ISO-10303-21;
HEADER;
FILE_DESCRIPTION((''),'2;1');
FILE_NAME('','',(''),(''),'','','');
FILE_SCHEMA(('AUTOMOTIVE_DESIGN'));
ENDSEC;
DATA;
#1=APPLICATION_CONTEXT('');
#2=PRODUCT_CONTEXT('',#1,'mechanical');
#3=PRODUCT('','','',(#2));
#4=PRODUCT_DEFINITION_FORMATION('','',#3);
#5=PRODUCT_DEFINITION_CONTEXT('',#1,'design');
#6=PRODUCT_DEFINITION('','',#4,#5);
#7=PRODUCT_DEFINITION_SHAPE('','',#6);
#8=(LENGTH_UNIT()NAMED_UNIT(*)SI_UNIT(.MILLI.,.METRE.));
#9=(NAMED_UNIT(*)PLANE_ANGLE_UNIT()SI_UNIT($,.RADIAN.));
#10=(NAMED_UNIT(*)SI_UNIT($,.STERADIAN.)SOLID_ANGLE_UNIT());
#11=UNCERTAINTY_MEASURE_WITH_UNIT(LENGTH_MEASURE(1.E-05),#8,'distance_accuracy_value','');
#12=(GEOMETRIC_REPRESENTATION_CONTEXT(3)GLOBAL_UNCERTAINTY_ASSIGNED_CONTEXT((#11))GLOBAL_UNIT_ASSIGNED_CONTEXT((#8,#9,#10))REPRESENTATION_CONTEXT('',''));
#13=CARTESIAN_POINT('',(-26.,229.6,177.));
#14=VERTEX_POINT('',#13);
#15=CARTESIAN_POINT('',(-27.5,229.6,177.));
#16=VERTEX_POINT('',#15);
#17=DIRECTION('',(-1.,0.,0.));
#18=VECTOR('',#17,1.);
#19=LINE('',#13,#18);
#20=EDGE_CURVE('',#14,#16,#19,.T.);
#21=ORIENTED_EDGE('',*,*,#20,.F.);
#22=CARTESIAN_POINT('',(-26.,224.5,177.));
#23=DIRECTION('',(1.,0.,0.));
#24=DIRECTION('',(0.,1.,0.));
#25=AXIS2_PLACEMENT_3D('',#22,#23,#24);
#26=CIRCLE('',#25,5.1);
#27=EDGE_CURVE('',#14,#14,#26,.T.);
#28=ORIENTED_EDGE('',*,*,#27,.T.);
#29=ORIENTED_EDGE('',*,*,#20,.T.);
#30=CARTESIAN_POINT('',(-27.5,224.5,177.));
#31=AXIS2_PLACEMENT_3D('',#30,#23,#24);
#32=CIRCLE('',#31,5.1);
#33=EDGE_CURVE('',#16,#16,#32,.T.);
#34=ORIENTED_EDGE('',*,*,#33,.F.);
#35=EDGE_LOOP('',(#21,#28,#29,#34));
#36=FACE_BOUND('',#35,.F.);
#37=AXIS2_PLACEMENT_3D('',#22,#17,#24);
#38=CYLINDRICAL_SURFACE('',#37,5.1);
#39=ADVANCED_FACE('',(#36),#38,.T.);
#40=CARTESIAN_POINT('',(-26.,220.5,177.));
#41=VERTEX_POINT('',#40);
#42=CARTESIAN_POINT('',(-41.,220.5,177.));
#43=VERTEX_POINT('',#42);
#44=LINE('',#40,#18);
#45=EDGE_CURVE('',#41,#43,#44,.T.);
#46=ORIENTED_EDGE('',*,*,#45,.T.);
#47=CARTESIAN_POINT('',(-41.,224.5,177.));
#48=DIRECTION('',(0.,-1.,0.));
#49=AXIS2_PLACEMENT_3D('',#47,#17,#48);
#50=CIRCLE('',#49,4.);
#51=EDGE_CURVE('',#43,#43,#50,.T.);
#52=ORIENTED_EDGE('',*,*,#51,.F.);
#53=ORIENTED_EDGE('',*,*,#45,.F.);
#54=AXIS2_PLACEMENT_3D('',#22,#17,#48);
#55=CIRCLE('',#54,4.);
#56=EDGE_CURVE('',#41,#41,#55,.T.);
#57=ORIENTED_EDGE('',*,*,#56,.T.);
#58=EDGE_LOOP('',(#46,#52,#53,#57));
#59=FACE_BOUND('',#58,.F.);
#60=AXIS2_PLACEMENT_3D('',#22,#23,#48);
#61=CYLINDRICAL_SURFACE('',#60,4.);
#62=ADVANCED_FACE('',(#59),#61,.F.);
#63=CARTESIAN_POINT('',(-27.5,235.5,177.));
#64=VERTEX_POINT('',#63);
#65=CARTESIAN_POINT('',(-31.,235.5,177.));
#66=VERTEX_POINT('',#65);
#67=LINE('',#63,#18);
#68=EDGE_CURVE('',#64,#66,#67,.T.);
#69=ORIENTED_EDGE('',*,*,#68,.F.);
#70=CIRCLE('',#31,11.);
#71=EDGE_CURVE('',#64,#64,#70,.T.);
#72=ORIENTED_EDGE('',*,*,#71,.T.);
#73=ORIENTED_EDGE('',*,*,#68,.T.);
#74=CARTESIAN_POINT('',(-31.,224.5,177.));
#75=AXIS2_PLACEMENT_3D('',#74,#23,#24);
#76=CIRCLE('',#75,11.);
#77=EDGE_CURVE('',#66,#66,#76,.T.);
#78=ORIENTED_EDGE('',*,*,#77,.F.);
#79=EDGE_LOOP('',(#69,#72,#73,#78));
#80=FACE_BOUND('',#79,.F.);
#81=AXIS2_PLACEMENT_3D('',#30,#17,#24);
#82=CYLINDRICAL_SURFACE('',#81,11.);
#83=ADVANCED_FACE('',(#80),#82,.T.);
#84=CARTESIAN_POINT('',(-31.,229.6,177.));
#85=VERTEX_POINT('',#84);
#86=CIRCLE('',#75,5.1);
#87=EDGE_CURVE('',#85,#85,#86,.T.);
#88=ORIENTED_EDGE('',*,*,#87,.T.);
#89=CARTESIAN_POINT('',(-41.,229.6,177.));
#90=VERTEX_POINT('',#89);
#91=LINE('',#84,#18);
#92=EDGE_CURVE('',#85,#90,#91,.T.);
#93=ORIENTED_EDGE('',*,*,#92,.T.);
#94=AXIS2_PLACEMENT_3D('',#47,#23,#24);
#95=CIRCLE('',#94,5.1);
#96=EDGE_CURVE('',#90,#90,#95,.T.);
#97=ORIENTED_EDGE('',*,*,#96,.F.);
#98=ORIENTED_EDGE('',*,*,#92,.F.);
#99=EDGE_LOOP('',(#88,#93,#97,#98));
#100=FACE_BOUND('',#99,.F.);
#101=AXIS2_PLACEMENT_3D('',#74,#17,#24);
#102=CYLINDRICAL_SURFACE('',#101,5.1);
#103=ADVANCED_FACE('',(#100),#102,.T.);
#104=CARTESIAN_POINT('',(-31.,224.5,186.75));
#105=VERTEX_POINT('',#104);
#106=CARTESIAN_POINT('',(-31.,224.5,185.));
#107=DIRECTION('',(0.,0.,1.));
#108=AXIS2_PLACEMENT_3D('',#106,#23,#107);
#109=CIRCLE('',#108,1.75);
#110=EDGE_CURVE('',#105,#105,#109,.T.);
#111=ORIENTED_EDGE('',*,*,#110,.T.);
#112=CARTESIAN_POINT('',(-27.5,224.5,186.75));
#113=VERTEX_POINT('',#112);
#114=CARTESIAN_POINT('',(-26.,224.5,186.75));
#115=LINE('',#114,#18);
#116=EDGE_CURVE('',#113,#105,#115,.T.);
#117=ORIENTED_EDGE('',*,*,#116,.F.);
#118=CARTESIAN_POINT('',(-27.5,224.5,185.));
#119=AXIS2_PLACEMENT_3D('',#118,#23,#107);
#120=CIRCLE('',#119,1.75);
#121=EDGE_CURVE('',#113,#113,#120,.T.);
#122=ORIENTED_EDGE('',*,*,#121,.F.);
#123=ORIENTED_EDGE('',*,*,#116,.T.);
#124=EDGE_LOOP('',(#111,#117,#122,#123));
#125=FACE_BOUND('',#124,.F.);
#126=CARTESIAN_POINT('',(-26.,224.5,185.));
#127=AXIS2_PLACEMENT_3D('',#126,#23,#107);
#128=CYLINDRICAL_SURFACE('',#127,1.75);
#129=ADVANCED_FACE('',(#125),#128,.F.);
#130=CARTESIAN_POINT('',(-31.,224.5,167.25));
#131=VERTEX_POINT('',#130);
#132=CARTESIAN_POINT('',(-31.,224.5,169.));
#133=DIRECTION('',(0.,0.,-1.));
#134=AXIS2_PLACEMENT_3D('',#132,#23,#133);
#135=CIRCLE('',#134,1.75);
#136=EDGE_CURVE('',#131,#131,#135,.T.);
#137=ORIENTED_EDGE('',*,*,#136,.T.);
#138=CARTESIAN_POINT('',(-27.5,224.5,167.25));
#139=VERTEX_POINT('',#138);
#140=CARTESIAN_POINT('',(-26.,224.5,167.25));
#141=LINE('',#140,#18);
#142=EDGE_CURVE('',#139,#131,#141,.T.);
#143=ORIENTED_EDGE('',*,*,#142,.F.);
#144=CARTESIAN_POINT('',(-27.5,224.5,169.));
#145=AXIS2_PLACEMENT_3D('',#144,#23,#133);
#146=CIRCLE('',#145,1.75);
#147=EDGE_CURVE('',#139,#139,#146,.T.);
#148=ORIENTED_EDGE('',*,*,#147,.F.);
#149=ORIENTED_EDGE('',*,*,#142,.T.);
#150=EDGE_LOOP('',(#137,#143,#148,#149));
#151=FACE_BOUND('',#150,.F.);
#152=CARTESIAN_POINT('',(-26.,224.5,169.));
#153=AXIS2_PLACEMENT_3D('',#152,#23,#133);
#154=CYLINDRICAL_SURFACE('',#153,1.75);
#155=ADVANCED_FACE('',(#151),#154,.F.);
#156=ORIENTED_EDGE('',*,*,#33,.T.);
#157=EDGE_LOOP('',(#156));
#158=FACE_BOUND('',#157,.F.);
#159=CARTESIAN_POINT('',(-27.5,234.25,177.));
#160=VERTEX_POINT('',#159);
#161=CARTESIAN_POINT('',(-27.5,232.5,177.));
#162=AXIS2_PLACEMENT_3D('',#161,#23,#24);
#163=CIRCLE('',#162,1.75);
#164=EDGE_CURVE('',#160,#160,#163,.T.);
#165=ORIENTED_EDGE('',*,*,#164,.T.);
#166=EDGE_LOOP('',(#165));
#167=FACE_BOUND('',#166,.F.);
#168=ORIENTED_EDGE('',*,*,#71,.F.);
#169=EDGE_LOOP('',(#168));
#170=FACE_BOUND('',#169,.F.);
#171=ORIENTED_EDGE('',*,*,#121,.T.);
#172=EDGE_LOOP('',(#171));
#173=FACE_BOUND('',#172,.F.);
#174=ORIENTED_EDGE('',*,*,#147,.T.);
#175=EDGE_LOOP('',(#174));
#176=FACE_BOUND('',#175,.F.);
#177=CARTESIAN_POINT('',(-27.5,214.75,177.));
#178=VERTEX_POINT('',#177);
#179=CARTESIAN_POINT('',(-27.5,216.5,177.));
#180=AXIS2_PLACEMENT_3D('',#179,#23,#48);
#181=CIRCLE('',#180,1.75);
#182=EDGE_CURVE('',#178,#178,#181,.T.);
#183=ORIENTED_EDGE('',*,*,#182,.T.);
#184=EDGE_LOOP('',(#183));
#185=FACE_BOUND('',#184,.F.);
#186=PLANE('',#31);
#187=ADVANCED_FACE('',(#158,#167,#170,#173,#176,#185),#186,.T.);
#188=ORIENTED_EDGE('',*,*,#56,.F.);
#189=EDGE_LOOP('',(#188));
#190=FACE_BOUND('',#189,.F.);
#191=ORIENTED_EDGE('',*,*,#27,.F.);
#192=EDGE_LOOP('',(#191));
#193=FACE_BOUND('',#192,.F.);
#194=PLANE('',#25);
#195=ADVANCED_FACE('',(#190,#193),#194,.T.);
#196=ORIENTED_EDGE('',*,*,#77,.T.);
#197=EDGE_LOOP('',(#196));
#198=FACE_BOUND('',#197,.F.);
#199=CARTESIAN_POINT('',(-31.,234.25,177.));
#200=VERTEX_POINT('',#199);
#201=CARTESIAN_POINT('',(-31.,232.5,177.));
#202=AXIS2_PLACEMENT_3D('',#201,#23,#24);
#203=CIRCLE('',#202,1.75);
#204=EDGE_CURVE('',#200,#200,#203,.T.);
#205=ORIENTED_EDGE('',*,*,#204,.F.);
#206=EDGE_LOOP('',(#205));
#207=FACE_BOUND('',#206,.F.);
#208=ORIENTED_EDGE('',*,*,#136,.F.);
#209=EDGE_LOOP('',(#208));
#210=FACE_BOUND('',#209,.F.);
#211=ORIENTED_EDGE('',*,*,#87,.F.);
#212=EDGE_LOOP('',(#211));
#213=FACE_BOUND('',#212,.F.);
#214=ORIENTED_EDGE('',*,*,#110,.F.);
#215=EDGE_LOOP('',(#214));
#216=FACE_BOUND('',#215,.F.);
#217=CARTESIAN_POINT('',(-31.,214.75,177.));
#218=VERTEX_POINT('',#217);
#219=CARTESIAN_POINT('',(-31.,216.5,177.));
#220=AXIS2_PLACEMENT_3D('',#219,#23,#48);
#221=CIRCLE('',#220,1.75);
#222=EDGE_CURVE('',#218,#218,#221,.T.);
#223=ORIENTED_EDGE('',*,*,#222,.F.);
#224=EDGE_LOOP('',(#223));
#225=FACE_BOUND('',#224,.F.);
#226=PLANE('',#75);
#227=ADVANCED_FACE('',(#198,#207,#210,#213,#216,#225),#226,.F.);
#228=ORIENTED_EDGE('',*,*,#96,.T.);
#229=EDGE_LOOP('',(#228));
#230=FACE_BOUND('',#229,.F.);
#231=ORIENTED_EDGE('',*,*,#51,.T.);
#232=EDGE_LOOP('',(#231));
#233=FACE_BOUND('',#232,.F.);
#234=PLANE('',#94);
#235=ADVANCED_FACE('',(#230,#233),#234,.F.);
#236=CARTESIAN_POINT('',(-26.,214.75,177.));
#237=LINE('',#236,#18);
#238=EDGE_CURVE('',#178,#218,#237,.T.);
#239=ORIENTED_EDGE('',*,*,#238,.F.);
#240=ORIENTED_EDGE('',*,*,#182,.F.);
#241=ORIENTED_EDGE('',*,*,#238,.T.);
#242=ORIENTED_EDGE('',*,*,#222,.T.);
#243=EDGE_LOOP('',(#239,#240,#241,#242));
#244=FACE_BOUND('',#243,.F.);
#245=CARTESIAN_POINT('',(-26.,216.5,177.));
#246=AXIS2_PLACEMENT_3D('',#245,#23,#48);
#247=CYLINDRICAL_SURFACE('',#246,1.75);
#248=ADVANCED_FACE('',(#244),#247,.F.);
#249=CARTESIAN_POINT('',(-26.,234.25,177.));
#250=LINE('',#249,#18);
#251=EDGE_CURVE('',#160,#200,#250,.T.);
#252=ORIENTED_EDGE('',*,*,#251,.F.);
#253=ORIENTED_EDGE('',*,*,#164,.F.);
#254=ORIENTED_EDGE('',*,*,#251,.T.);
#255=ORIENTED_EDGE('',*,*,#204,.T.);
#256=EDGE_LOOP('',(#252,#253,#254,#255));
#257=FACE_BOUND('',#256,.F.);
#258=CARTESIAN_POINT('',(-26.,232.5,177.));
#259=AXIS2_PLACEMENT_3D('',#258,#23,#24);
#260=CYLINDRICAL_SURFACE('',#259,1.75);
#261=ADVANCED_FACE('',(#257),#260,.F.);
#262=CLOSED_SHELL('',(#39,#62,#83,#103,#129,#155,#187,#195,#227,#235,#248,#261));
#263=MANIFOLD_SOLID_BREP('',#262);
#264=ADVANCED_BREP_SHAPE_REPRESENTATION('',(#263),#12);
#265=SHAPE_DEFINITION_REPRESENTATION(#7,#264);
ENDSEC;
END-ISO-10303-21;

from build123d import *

# Parameters (mm, degrees)
SKETCH151_R             = 4
SKETCH151_R_2           = 1.75
POCKET057_DEPTH         = 84.080664
POLARPATTERN010_COUNT   = 4
BODY110_PLACEMENT_ANGLE = 90


with BuildPart() as part:
    # Sketch150 → Revolution007 (revolve)
    with BuildSketch(Plane.YZ):
        Polygon((0, 0), (0, 15), (5.1, 15), (5.1, 13.5), (11, 13.5), (11, 10), (5.1, 10), (5.1, 0), align=None)
    revolve(axis=Axis((0, 0, 0), (0, 0, 1)))

    # Sketch151 (on Face1 of Revolution007) → Pocket057 (cut, through all)
    with BuildSketch(Plane(origin=(0, 0, 15), x_dir=(0, -1, 0), z_dir=(0, 0, 1))):
        Circle(SKETCH151_R)
        with Locations((8, 0)):
            Circle(SKETCH151_R_2)
    pocket057 = extrude(amount=-POCKET057_DEPTH, mode=Mode.SUBTRACT)

    # PolarPattern010: Pocket057 ×4 about axis
    polarpattern010_axis = Axis((0, 0, 15), (0, 0, 1))
    for i in range(1, POLARPATTERN010_COUNT):
        add(pocket057.rotate(polarpattern010_axis, i * 360 / POLARPATTERN010_COUNT), mode=Mode.SUBTRACT)


with BuildPart() as part_1:
    # Body110 placement: moved
    add(part.part.moved(Location((-41, 224.5, 177))).rotate(Axis((-41, 224.5, 177), (0, 1, 0)), BODY110_PLACEMENT_ANGLE))


solid = part_1.part
